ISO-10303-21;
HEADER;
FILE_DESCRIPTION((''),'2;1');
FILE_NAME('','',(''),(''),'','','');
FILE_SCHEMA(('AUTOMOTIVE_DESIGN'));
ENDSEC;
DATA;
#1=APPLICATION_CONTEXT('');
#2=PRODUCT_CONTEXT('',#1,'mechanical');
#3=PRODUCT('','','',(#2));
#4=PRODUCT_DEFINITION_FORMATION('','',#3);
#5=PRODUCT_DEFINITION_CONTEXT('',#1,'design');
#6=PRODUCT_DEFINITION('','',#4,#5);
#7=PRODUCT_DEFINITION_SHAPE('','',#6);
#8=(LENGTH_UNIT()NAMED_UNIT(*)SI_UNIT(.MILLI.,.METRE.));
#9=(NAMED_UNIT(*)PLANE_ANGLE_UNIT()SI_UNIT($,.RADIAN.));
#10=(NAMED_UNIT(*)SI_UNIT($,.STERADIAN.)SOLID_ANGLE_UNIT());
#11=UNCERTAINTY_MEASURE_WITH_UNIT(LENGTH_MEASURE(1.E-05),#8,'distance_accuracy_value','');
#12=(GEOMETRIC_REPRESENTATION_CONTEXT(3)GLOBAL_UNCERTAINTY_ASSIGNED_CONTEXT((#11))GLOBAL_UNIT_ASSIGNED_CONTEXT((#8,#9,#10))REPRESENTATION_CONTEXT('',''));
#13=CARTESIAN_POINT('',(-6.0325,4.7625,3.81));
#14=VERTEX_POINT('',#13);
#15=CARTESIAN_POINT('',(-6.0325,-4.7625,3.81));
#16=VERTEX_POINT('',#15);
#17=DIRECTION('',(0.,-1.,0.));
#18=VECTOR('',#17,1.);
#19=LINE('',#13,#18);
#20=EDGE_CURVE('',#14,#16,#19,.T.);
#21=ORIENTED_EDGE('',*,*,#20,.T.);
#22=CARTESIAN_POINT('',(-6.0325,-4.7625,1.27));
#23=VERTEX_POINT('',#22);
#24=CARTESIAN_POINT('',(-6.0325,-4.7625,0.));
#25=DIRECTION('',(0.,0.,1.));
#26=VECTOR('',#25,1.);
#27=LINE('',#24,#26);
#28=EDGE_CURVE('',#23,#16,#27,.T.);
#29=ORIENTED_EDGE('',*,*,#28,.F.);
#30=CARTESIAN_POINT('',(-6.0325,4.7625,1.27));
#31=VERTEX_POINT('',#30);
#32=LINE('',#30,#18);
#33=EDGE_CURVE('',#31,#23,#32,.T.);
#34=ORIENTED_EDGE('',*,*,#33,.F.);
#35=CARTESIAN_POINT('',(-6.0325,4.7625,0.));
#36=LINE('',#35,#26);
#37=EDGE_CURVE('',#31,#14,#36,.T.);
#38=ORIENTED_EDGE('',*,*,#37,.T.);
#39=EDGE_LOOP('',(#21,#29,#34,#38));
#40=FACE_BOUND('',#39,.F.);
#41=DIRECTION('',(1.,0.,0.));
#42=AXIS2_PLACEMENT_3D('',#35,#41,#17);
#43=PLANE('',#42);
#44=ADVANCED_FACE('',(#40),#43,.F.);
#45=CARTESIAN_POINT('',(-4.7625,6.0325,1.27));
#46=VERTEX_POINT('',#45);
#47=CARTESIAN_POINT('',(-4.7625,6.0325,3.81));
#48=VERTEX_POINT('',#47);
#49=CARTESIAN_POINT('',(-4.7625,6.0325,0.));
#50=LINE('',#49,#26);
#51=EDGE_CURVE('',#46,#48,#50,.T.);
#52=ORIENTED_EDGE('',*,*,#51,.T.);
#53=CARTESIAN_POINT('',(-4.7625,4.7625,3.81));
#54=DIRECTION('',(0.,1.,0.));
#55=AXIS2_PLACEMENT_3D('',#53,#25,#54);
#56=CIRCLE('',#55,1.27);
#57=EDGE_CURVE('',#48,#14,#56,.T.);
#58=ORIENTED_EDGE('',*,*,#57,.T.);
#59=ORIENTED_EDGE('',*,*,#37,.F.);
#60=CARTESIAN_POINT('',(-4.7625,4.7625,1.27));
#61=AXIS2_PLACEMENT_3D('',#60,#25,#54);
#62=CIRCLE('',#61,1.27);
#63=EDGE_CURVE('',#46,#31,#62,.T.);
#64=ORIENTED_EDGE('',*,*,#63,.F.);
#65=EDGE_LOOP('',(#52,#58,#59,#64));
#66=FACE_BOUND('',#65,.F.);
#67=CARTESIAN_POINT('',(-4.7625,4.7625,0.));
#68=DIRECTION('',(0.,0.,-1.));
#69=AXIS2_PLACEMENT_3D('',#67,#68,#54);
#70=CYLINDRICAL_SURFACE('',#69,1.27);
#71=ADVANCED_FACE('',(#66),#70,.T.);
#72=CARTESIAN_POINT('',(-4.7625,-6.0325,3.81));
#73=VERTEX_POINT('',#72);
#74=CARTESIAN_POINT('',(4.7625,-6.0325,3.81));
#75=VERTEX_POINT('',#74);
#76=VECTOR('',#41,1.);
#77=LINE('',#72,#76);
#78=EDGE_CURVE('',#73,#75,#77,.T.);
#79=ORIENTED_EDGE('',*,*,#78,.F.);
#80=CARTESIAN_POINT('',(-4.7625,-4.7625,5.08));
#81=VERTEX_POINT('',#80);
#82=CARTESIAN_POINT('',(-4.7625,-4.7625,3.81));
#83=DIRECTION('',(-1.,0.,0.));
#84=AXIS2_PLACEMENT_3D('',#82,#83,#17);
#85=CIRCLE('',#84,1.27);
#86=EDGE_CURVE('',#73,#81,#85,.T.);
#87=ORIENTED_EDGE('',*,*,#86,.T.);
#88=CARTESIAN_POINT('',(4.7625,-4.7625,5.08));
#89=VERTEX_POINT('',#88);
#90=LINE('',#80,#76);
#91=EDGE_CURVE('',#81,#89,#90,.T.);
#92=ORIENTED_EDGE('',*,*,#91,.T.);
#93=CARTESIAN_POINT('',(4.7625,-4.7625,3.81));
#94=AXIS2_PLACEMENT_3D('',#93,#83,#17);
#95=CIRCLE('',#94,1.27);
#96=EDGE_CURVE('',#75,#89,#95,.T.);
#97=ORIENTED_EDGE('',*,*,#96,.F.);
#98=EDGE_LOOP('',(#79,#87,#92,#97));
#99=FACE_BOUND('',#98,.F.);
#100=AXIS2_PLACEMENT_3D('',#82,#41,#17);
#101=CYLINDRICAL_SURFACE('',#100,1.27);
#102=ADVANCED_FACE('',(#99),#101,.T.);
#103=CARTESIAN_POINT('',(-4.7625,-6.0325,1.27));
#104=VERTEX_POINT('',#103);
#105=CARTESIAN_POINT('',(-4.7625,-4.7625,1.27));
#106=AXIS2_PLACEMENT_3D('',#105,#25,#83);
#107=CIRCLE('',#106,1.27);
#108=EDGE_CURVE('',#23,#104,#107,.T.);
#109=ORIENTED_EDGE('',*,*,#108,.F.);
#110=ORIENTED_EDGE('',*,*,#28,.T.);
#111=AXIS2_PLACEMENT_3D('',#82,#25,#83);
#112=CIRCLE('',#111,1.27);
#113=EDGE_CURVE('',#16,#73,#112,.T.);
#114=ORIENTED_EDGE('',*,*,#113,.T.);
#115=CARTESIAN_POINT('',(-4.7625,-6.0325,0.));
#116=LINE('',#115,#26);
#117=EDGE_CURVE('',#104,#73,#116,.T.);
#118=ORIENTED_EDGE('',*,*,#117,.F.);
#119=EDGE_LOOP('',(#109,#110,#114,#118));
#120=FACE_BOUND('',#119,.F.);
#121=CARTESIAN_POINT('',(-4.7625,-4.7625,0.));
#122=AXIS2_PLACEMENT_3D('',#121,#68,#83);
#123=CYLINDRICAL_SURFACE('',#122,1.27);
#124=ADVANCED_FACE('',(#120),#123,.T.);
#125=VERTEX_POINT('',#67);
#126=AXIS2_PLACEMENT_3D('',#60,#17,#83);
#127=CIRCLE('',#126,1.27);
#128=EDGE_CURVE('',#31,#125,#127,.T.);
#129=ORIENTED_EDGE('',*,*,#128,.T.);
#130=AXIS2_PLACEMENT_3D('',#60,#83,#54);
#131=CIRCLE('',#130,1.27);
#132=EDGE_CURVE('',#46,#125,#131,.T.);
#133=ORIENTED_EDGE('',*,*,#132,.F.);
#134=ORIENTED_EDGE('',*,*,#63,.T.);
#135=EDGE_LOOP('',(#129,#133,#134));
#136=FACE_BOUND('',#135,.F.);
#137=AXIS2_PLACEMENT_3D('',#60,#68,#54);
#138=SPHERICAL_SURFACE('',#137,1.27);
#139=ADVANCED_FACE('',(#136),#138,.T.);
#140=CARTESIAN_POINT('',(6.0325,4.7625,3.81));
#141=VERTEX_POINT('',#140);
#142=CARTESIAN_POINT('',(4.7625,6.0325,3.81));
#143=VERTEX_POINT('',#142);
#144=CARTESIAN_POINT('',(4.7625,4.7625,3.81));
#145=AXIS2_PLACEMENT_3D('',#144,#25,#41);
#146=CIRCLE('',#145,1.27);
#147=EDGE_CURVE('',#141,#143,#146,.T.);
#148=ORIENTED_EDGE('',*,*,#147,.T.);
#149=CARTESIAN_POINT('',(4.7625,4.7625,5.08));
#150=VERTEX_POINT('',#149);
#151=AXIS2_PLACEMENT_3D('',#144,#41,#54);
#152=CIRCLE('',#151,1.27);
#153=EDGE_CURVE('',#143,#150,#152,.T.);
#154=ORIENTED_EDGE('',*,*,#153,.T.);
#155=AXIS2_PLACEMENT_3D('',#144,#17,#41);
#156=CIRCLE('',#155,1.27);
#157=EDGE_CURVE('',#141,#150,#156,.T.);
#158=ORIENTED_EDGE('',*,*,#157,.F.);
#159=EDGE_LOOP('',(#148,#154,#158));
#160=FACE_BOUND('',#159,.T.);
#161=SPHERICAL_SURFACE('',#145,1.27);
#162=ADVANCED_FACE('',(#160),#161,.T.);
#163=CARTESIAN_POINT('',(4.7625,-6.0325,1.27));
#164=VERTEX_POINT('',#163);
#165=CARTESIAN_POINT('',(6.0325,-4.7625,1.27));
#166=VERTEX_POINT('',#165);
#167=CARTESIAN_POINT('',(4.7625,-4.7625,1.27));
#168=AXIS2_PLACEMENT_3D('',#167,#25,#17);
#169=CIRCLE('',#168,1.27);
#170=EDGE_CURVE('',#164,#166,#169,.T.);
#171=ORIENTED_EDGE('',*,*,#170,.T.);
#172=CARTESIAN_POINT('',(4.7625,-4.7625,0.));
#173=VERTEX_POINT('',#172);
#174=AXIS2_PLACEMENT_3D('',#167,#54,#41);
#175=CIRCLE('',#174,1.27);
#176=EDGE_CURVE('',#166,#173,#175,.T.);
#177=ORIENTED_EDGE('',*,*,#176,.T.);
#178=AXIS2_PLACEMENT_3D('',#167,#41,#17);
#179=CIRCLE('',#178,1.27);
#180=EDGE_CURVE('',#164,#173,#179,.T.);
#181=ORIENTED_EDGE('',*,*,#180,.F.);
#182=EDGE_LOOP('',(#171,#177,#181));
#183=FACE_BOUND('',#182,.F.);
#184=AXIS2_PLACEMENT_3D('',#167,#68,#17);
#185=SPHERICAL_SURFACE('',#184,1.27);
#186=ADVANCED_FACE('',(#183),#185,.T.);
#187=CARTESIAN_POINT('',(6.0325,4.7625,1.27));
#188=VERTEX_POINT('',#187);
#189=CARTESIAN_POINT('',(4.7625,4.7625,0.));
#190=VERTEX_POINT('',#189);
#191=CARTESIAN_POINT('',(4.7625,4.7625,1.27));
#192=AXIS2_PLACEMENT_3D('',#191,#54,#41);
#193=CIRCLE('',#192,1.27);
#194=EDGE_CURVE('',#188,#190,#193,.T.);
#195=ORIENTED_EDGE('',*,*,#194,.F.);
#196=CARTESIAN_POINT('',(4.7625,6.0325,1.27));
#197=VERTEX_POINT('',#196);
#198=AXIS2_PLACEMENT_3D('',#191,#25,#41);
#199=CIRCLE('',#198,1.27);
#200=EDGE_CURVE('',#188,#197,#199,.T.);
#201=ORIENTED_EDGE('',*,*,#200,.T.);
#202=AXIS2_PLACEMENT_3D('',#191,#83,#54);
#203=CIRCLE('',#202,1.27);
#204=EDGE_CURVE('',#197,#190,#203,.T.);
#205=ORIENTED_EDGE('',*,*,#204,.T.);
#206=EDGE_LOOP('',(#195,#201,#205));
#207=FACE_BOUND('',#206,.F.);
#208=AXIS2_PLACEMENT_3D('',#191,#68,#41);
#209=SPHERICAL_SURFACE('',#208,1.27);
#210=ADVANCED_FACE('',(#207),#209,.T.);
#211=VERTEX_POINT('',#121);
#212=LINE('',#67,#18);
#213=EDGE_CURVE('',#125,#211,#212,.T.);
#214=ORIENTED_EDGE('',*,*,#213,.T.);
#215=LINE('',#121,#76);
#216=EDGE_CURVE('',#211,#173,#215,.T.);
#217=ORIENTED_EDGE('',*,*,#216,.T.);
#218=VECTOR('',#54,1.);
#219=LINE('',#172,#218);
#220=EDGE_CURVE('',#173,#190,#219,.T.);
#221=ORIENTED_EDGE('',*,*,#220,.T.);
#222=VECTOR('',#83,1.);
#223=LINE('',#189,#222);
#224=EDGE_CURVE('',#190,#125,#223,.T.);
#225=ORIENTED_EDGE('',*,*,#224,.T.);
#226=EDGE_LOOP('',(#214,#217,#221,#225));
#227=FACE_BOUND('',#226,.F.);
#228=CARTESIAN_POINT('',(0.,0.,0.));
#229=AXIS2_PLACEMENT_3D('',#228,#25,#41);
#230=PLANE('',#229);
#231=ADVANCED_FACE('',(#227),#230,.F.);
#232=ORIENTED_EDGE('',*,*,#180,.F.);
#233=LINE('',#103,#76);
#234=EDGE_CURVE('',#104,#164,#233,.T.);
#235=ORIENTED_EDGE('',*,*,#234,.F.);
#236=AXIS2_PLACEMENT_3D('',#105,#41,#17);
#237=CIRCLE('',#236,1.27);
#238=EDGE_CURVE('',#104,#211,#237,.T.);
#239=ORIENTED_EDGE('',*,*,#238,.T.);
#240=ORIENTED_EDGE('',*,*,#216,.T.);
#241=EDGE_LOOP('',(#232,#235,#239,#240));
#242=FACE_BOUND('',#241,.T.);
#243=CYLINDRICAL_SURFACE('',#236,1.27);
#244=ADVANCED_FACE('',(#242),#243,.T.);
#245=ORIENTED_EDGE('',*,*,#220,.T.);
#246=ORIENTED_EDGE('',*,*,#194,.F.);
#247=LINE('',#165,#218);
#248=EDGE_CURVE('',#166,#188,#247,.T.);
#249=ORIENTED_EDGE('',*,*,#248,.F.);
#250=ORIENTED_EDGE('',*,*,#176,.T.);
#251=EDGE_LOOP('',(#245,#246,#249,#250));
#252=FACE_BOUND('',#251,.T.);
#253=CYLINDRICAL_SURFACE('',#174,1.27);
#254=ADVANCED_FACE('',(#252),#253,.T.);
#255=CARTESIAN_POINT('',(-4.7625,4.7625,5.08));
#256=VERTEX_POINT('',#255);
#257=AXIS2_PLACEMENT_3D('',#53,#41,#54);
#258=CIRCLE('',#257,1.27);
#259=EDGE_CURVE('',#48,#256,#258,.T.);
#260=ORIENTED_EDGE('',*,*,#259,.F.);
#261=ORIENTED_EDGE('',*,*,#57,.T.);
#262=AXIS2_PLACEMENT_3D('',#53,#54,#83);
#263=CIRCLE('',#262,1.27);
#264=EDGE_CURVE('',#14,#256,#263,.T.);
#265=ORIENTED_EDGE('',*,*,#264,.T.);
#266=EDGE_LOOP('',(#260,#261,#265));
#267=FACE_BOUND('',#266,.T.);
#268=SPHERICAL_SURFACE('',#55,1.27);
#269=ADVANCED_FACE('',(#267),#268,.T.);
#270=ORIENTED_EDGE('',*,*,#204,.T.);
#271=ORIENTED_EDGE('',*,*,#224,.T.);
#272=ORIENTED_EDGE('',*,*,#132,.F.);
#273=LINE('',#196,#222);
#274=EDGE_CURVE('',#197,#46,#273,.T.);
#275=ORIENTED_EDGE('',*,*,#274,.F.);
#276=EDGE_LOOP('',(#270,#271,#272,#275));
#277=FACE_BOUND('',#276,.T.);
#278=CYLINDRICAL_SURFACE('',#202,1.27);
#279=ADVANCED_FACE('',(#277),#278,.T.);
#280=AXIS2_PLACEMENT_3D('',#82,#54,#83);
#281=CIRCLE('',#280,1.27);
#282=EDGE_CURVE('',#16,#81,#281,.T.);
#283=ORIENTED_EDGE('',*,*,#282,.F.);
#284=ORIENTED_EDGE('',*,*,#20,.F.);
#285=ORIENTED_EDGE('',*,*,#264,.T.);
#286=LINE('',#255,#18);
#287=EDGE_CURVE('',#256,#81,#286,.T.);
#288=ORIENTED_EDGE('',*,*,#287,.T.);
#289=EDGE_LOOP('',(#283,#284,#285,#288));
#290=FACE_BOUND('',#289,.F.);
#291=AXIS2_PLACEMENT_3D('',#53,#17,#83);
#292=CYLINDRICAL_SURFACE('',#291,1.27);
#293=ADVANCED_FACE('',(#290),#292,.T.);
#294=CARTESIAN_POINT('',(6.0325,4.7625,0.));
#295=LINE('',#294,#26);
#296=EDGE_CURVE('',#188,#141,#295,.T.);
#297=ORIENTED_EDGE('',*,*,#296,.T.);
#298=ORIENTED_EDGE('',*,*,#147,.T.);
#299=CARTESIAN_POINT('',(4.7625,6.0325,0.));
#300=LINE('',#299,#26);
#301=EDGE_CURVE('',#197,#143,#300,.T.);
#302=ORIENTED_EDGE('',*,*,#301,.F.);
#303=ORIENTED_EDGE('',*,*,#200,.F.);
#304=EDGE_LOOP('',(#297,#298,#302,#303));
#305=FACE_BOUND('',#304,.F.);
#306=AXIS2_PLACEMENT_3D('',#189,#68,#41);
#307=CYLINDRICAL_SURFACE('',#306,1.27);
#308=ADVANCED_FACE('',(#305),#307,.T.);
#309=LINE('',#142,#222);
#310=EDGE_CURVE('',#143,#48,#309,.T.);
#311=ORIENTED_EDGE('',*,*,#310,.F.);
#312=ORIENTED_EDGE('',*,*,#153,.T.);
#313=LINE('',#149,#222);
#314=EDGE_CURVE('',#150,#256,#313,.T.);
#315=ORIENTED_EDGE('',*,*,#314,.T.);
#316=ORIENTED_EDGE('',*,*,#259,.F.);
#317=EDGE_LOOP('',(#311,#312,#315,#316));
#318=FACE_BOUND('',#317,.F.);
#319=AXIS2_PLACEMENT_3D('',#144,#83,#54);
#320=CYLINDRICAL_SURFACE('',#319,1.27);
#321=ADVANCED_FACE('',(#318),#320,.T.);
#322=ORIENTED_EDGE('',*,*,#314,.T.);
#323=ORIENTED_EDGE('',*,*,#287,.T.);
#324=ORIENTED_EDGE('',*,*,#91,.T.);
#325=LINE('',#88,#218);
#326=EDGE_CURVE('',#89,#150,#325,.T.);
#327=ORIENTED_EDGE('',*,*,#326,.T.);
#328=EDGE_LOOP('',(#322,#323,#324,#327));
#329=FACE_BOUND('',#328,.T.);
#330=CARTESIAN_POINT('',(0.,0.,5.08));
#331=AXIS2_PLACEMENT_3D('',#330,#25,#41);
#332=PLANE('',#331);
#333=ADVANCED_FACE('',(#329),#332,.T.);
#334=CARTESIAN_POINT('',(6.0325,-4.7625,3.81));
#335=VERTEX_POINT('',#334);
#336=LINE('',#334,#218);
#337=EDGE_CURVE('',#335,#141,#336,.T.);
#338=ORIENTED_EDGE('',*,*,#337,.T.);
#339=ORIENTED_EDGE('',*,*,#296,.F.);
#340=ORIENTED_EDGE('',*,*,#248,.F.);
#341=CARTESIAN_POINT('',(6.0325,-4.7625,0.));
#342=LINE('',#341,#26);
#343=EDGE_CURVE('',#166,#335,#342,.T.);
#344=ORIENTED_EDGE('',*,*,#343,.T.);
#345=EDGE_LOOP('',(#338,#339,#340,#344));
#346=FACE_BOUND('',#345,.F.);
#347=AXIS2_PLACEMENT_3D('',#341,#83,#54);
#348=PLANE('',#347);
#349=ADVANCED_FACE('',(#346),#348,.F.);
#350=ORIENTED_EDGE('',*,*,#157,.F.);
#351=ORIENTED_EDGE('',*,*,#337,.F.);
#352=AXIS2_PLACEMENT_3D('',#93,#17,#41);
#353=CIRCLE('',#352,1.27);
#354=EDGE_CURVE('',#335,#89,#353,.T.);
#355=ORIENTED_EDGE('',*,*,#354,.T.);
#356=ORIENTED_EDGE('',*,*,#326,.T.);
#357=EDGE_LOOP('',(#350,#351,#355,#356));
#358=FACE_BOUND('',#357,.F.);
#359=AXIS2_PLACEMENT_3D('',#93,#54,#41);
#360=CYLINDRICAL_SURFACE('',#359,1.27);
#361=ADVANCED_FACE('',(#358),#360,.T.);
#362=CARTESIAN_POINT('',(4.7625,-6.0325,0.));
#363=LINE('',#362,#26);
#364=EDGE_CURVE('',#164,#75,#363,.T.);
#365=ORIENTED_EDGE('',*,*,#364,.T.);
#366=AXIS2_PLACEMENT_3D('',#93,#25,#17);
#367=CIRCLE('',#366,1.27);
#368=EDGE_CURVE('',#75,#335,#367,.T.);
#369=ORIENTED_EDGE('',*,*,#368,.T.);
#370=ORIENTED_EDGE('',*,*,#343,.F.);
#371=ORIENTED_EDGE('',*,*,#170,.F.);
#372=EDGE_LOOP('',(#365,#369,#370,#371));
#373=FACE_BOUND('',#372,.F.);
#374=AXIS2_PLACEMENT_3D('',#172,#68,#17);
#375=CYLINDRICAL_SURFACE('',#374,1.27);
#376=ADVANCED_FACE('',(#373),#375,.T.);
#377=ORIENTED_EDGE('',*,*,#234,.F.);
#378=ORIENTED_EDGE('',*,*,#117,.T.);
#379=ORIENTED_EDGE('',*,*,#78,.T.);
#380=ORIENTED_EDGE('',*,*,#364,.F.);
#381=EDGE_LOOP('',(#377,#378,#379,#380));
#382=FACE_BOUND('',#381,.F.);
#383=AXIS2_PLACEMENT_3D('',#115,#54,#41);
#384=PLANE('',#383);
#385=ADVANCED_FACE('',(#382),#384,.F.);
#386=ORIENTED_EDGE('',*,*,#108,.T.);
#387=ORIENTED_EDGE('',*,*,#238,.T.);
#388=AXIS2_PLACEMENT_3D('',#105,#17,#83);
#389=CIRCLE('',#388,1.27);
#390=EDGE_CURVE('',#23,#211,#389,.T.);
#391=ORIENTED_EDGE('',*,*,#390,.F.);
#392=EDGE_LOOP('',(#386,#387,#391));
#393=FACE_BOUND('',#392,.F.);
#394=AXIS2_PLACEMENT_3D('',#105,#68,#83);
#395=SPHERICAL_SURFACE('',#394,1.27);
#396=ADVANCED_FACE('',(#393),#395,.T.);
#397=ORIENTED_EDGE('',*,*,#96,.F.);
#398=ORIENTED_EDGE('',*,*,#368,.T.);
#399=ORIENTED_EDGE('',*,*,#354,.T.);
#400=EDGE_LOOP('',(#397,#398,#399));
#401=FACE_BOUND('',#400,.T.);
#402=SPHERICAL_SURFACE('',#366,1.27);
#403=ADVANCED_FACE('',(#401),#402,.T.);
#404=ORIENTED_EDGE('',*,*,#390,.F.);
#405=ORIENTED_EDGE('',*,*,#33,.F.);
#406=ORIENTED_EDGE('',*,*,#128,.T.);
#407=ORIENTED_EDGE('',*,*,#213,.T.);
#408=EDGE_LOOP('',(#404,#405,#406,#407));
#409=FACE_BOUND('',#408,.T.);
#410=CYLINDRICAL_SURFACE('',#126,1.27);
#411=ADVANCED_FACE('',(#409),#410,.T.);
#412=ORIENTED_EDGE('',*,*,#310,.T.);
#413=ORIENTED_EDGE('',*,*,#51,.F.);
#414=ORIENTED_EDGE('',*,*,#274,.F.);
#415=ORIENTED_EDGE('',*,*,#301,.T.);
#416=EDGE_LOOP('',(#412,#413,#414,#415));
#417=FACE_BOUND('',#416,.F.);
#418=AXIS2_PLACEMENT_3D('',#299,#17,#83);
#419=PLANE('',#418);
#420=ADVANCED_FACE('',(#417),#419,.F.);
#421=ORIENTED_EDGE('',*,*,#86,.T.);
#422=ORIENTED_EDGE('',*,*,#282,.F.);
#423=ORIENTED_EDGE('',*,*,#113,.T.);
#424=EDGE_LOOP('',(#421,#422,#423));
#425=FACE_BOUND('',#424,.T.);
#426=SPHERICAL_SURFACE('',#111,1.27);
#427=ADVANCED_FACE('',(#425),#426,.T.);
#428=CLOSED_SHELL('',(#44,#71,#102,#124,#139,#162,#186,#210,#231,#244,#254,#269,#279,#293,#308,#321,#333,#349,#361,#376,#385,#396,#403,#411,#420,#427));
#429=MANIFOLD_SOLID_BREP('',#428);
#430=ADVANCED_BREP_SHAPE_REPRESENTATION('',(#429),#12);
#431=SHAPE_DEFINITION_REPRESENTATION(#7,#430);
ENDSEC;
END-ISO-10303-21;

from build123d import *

# Parameters (mm, degrees)
F1_DEPTH = 5.08
F2_R     = 1.27


with BuildPart() as f1:
    # F0 (on Top) → F1 (new body)
    with BuildSketch(Plane.XY):
        with BuildLine():
            ThreePointArc((6.0325, 4.7625), (5.6605256121, 5.6605256121), (4.7625, 6.0325))
            Line((4.7625, 6.0325), (-4.7625, 6.0325))
            ThreePointArc((-4.7625, 6.0325), (-5.6605256121, 5.6605256121), (-6.0325, 4.7625))
            Line((-6.0325, 4.7625), (-6.0325, -4.7625))
            ThreePointArc((-6.0325, -4.7625), (-5.6605256121, -5.6605256121), (-4.7625, -6.0325))
            Line((-4.7625, -6.0325), (4.7625, -6.0325))
            ThreePointArc((4.7625, -6.0325), (5.6605256121, -5.6605256121), (6.0325, -4.7625))
            Line((6.0325, -4.7625), (6.0325, 4.7625))
        make_face()
    extrude(amount=F1_DEPTH)

    # F2
    f2_edges = [f1.edges().sort_by_distance(p)[0] for p in [
        (0, -6.0325, 5.08),
        (0, -6.0325, 0),
    ]]
    fillet(f2_edges, radius=F2_R)


solid = f1.part
